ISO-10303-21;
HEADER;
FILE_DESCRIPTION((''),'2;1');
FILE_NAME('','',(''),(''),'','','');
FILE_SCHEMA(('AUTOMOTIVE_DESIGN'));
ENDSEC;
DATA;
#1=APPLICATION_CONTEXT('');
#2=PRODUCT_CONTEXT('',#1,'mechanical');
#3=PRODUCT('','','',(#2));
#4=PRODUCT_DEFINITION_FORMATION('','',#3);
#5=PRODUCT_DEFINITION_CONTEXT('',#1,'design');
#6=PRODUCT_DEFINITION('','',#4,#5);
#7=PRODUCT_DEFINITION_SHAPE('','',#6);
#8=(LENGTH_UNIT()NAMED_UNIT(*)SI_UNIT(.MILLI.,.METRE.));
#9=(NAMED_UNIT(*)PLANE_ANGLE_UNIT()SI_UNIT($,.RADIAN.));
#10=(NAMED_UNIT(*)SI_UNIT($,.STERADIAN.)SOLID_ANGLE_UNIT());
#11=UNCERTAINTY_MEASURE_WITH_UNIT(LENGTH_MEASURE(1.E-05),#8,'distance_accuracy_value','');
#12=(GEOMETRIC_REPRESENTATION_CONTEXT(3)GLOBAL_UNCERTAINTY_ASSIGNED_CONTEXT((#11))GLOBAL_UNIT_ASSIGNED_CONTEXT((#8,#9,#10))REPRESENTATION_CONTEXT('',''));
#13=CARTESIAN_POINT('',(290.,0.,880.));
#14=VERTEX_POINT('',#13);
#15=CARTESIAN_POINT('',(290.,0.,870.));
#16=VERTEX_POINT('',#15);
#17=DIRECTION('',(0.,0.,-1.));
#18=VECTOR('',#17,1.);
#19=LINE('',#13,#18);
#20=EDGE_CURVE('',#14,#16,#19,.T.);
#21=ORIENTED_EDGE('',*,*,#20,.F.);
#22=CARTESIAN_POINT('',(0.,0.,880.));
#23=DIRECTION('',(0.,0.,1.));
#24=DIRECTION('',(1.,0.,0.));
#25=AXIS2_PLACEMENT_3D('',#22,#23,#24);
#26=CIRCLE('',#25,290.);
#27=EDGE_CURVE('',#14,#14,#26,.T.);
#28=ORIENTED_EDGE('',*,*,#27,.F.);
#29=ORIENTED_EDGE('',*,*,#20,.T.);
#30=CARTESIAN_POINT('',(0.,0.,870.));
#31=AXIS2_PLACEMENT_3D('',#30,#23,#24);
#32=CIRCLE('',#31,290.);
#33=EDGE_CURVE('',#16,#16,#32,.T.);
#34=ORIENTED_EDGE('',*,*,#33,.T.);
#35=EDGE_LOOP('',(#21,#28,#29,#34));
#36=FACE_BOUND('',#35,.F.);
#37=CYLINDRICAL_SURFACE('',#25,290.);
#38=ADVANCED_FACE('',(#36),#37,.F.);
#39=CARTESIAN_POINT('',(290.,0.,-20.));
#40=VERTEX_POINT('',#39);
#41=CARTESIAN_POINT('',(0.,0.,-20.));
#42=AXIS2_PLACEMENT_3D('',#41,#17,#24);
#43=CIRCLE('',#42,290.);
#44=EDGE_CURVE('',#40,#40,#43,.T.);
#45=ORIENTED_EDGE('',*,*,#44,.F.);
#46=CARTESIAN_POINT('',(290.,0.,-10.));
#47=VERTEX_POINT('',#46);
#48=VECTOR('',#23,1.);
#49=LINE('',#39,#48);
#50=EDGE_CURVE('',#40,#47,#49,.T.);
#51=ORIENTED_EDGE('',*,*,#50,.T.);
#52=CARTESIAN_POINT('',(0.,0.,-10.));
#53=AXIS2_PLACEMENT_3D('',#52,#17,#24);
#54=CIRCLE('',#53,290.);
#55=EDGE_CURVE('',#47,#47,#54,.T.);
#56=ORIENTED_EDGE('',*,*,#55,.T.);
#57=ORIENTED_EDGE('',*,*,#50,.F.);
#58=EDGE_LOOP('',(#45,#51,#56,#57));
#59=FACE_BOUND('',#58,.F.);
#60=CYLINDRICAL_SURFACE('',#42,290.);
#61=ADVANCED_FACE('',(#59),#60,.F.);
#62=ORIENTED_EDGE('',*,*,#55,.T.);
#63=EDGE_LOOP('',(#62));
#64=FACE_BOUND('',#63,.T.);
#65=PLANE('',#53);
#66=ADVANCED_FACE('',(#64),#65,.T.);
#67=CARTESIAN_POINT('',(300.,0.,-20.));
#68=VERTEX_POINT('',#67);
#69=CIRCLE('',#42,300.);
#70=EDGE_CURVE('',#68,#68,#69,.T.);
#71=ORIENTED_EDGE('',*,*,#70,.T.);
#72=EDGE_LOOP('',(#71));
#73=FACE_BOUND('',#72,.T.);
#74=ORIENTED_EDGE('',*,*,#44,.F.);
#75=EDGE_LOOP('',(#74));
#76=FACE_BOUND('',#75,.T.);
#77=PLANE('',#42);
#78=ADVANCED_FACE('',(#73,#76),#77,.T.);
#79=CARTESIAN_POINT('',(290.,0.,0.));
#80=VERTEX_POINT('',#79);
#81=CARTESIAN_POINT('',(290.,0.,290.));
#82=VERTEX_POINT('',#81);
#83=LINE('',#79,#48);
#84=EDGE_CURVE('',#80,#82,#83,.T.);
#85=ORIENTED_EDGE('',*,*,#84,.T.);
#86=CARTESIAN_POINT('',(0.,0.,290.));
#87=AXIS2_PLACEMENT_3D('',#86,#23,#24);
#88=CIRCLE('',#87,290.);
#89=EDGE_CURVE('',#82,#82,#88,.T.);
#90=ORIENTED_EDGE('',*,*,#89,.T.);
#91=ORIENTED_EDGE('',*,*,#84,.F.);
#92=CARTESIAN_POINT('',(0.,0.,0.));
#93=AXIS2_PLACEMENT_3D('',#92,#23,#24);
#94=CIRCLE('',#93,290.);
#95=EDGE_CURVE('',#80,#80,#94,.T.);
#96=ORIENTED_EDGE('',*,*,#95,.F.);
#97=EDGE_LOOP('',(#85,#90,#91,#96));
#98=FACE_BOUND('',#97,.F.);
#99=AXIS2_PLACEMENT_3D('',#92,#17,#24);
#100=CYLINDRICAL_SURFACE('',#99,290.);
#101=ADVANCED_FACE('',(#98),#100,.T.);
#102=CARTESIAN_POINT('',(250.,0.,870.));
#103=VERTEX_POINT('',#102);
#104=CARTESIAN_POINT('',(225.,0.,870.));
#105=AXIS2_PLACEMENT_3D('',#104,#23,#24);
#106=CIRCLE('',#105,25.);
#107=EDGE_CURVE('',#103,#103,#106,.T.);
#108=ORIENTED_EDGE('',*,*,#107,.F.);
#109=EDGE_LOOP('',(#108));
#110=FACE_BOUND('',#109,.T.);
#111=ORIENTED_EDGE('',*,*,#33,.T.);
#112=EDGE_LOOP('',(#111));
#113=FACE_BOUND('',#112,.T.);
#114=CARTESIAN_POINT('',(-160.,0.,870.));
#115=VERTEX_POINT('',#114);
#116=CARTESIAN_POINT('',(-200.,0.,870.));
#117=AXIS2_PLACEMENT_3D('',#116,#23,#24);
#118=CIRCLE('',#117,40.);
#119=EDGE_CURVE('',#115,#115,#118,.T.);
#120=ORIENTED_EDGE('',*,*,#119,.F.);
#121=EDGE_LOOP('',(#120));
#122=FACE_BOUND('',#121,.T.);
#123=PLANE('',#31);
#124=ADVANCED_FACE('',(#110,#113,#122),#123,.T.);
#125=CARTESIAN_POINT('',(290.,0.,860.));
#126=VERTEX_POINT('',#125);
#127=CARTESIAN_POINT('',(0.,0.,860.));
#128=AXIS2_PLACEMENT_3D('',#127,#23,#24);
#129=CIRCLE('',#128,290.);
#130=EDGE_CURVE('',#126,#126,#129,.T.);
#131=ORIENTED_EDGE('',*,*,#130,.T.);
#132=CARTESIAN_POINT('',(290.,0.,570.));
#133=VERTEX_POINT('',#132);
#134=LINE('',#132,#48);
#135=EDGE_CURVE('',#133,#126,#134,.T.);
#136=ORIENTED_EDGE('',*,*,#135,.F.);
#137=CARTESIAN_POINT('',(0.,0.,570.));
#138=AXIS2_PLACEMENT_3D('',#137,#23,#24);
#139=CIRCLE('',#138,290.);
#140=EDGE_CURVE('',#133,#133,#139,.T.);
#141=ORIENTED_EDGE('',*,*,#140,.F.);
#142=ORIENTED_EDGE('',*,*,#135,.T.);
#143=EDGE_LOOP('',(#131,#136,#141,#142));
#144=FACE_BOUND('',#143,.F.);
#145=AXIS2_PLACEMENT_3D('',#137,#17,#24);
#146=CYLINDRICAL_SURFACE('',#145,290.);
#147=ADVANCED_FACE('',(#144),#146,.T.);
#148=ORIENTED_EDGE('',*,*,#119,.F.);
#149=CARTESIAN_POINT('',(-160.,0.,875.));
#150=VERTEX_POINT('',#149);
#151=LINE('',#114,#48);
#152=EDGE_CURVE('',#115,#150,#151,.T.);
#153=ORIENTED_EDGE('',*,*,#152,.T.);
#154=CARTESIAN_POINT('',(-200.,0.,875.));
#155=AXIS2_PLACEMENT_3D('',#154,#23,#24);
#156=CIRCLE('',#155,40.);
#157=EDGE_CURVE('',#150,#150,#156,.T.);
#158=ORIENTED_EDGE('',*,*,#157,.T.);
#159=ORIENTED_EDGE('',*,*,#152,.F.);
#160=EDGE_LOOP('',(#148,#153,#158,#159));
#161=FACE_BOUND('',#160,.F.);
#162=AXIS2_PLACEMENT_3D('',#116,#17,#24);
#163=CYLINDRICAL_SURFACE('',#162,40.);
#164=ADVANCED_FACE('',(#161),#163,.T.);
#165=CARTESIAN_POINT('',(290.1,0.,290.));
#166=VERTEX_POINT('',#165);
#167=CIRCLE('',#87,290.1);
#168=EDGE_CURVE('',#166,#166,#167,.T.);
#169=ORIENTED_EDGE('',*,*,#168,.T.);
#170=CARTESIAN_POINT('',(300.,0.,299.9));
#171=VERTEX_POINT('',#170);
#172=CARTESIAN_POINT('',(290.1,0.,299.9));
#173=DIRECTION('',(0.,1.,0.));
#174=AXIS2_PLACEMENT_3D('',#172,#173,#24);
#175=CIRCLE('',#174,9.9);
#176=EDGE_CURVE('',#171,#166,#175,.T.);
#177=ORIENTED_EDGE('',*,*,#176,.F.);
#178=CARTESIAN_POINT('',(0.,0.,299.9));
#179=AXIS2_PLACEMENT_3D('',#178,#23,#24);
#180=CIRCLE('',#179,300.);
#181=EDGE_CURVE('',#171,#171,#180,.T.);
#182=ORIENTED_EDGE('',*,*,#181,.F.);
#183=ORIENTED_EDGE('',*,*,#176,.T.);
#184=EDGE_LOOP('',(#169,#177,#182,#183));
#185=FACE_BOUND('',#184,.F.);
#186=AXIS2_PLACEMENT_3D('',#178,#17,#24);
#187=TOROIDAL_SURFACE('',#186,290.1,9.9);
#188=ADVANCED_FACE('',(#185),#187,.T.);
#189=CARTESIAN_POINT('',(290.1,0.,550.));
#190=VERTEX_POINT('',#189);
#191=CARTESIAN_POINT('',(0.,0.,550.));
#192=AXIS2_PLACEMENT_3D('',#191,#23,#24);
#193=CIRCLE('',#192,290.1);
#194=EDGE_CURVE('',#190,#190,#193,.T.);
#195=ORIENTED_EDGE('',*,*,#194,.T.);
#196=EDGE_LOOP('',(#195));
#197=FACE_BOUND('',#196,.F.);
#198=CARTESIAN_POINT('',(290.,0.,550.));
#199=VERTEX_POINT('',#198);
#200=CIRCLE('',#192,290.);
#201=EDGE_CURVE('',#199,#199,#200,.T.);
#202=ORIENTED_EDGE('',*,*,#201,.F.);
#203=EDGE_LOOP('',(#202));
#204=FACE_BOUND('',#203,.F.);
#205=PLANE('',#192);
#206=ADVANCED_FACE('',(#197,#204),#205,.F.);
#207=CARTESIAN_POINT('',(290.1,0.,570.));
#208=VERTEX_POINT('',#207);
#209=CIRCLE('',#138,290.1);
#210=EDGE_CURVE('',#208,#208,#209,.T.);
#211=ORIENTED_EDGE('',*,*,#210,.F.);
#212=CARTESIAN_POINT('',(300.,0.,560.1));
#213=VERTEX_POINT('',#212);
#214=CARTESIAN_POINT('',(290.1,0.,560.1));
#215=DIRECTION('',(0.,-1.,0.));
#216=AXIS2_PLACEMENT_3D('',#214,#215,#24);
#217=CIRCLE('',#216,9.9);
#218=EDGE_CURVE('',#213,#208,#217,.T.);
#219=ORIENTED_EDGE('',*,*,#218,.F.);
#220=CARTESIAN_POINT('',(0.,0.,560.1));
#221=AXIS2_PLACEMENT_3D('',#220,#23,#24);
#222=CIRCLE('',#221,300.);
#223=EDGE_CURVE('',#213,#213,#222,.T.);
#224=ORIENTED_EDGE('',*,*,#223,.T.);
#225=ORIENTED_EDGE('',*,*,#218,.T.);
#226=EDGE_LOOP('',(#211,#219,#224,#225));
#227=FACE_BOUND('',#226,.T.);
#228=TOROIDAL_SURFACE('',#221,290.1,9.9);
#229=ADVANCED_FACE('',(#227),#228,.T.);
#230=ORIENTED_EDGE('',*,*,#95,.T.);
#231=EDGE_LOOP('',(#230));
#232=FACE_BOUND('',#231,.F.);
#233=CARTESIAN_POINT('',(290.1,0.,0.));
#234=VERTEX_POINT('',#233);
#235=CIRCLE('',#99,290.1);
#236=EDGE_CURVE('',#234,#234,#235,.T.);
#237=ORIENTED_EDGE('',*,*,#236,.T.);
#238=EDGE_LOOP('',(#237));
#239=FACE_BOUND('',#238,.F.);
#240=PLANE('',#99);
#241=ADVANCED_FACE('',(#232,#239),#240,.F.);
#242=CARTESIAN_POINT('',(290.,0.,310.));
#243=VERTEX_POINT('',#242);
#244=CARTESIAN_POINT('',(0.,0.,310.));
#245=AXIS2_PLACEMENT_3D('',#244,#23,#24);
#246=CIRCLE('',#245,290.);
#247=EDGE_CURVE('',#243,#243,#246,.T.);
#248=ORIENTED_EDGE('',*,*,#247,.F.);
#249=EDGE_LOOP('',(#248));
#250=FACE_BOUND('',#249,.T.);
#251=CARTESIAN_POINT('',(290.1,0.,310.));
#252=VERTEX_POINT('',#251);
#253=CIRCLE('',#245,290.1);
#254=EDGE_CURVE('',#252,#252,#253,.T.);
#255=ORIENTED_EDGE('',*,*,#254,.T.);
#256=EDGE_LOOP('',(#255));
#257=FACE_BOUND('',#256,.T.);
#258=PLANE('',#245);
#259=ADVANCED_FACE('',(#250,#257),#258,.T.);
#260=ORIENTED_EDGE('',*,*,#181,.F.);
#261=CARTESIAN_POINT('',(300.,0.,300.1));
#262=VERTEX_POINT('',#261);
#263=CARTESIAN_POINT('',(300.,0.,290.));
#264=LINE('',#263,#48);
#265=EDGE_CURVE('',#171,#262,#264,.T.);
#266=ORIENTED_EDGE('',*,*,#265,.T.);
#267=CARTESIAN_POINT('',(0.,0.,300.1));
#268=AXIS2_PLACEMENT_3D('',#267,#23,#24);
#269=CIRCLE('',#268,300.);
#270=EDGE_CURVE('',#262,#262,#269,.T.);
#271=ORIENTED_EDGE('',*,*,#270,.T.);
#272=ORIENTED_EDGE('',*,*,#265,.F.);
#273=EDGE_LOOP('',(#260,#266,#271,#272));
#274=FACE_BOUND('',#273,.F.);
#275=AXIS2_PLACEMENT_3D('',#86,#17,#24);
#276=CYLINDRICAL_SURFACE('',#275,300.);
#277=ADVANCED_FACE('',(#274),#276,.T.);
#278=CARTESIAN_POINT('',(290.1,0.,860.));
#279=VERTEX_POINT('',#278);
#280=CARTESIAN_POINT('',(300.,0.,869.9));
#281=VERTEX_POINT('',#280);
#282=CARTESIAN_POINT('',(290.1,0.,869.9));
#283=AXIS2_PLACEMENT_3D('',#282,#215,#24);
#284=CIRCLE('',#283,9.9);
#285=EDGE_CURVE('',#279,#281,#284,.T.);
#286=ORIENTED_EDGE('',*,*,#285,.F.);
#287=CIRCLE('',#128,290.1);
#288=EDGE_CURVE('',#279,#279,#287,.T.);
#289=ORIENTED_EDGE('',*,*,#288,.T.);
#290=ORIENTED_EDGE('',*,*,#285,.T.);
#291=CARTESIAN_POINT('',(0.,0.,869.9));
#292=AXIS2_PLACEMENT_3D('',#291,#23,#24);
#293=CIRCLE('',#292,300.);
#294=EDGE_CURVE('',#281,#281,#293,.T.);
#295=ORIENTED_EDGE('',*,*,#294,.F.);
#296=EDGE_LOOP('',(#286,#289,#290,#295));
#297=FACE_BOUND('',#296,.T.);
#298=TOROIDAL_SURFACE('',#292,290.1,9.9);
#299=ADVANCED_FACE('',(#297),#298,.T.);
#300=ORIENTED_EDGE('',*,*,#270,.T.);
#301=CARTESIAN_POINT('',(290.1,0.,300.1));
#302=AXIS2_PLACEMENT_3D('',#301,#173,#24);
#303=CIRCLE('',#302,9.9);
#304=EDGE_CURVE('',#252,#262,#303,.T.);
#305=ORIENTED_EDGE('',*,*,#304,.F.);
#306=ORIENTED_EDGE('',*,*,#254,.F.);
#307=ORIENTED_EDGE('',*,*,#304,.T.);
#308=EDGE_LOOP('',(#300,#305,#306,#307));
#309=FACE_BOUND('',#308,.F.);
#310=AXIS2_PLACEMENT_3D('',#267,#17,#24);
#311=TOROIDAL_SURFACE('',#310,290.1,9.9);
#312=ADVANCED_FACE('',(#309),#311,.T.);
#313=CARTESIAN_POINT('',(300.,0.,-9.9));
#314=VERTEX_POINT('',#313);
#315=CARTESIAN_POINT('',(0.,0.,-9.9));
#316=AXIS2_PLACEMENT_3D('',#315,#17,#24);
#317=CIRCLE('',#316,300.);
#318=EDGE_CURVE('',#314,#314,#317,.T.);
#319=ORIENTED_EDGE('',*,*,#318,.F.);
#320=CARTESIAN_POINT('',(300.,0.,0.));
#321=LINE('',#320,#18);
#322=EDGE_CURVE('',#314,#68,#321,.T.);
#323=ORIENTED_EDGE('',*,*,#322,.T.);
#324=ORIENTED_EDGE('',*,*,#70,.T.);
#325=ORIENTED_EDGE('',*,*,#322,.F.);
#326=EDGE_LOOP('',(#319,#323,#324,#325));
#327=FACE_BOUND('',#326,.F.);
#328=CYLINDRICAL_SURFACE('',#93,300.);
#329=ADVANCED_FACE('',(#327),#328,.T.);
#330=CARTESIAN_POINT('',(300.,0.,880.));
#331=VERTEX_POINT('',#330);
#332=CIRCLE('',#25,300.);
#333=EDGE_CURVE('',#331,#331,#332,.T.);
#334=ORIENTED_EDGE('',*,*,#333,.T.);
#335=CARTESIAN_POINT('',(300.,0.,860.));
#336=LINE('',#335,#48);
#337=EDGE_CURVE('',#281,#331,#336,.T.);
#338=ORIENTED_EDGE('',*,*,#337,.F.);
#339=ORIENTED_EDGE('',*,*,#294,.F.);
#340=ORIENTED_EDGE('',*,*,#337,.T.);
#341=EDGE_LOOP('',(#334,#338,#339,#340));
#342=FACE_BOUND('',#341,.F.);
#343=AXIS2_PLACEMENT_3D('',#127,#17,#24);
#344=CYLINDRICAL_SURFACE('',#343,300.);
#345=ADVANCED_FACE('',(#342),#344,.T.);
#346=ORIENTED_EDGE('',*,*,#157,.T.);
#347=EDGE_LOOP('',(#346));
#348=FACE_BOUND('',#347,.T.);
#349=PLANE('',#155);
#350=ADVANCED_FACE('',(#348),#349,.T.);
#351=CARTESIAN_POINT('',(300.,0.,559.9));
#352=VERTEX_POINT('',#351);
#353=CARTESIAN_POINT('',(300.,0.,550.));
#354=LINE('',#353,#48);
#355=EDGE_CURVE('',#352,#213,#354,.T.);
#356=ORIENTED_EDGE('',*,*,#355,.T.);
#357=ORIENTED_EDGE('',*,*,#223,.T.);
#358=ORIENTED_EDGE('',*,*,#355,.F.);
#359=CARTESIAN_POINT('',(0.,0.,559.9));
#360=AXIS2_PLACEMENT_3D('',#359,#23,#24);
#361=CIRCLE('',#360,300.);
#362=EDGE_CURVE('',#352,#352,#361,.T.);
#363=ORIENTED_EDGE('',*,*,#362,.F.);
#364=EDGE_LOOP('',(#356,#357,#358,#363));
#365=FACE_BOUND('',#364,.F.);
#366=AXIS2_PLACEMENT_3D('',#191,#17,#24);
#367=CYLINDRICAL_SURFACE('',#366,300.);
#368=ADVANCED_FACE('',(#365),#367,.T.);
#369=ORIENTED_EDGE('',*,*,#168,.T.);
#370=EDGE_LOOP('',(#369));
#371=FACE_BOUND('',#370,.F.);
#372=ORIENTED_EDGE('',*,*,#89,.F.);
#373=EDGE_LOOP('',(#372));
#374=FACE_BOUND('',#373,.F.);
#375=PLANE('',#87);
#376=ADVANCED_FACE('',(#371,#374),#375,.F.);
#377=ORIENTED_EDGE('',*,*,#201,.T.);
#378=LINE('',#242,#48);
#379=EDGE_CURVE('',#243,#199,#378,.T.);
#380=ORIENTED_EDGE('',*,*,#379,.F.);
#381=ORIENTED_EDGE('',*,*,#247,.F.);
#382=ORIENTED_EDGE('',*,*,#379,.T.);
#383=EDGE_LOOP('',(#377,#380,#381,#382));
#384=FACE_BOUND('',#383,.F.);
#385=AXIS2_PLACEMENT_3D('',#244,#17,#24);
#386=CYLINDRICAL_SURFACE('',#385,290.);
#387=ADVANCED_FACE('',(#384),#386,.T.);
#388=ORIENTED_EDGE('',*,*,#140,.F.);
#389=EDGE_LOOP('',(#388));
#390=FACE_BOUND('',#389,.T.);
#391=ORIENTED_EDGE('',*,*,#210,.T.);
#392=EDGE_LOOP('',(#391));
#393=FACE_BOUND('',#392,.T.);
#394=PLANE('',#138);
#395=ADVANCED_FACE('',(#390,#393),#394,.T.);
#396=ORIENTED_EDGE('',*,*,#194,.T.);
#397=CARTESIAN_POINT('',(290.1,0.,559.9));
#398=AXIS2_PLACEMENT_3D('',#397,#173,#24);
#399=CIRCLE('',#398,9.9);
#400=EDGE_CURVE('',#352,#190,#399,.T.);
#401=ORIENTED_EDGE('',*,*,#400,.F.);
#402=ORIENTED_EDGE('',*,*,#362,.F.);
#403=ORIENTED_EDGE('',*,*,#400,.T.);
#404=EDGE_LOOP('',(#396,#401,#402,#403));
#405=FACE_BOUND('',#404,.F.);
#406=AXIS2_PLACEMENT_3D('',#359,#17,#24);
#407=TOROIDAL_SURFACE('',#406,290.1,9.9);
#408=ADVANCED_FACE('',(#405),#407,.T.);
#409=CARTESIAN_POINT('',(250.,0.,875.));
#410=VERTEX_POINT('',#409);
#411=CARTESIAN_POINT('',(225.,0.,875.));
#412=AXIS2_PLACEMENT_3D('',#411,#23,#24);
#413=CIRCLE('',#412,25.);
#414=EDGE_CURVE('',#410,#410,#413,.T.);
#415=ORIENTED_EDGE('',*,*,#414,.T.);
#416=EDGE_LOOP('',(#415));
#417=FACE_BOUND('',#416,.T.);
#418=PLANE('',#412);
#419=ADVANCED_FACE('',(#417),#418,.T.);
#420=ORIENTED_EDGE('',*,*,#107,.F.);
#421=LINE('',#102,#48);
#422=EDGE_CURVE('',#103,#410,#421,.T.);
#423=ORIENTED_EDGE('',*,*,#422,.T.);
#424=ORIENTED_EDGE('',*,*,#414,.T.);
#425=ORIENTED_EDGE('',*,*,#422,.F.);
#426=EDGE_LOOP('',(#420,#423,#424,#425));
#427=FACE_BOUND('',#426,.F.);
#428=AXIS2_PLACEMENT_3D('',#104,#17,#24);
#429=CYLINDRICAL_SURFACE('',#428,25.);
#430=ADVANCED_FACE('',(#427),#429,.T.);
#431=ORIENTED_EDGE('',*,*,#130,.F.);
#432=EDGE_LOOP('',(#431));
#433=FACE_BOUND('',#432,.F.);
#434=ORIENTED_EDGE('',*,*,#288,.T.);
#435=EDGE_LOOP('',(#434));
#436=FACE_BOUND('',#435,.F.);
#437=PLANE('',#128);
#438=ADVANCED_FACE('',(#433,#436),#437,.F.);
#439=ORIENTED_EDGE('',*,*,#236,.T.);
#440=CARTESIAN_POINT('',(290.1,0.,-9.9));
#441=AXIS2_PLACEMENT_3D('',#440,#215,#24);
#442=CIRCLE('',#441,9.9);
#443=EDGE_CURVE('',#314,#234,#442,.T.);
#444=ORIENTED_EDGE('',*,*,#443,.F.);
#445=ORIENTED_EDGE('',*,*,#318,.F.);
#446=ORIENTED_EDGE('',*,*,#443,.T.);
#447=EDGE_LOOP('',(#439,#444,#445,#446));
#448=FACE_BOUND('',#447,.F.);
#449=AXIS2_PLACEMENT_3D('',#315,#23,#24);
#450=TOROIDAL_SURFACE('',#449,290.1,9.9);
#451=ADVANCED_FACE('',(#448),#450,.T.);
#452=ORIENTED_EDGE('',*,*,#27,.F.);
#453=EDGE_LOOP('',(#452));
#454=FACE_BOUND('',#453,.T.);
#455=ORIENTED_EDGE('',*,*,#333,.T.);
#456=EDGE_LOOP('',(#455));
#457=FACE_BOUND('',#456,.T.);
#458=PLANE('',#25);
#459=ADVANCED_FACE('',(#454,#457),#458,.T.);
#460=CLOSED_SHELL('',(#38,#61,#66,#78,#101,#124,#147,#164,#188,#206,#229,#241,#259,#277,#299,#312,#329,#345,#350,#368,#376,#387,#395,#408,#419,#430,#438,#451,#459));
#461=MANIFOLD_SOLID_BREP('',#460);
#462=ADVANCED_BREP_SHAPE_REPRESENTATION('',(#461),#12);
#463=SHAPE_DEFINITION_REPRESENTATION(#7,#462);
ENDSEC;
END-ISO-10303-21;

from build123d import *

# Parameters (mm, degrees)
SKETCH_R        = 290
PAD_DEPTH       = 290
SKETCH001_R     = 300
PAD001_DEPTH    = 20
SKETCH002_R     = 290
PAD002_DEPTH    = 240
SKETCH003_R     = 300
PAD003_DEPTH    = 20
SKETCH005_R     = 290
PAD004_DEPTH    = 290
FILLET_R        = 9.9
SKETCH006_R     = 300
PAD005_DEPTH    = 20
SKETCH007_R     = 300
PAD006_DEPTH    = 20
FILLET001_R     = 9.9
SKETCH008_R     = 290
POCKET_DEPTH    = 10
SKETCH009_R     = 290
POCKET001_DEPTH = 10
SKETCH010_R     = 40
SKETCH010_R_2   = 25
PAD007_DEPTH    = 5


with BuildPart() as part:
    # Sketch → Pad (new body)
    with BuildSketch(Plane.XY):
        Circle(SKETCH_R)
    extrude(amount=PAD_DEPTH)

    # Sketch001 (on Face3 of Pad) → Pad001 (join)
    with BuildSketch(Plane.XY.offset(290)):
        Circle(SKETCH001_R)
    extrude(amount=PAD001_DEPTH)

    # Sketch002 (on Face3 of Pad001) → Pad002 (join)
    with BuildSketch(Plane.XY.offset(310)):
        Circle(SKETCH002_R)
    extrude(amount=PAD002_DEPTH)

    # Sketch003 (on Face7 of Pad002) → Pad003 (join)
    with BuildSketch(Plane.XY.offset(550)):
        Circle(SKETCH003_R)
    extrude(amount=PAD003_DEPTH)

    # Sketch005 (on Face3 of Pad003) → Pad004 (join)
    with BuildSketch(Plane.XY.offset(570)):
        Circle(SKETCH005_R)
    extrude(amount=PAD004_DEPTH)

    # Fillet
    fillet_edges = [part.edges().sort_by_distance(p)[0] for p in [
        (300, 0, 560),
        (-300, 0, 550),
        (-300, 0, 570),
        (300, 0, 300),
        (-300, 0, 290),
        (-300, 0, 310),
    ]]
    fillet(fillet_edges, radius=FILLET_R)

    # Sketch006 (on Face9 of Fillet) → Pad005 (join)
    with BuildSketch(Plane.XY.offset(860)):
        Circle(SKETCH006_R)
    extrude(amount=PAD005_DEPTH)

    # Sketch007 (on Face17 of Pad005) → Pad006 (join)
    with BuildSketch(Plane(origin=(0, 0, 0), x_dir=(1, 0, 0), z_dir=(0, 0, -1))):
        Circle(SKETCH007_R)
    extrude(amount=PAD006_DEPTH)

    # Fillet001
    fillet001_edges = [part.edges().sort_by_distance(p)[0] for p in [
        (-300, 0, 860),
        (-300, 0, 0),
    ]]
    fillet(fillet001_edges, radius=FILLET001_R)

    # Sketch008 (on Face21 of Fillet001) → Pocket (cut)
    with BuildSketch(Plane.XY.offset(880)):
        Circle(SKETCH008_R)
    extrude(amount=-POCKET_DEPTH, mode=Mode.SUBTRACT)

    # Sketch009 (on Face3 of Pocket) → Pocket001 (cut)
    with BuildSketch(Plane(origin=(0, 0, -20), x_dir=(1, 0, 0), z_dir=(0, 0, -1))):
        Circle(SKETCH009_R)
    extrude(amount=-POCKET001_DEPTH, mode=Mode.SUBTRACT)

    # Sketch010 (on Face25 of Pocket001) → Pad007 (join)
    with BuildSketch(Plane.XY.offset(870)):
        with Locations((-200, 0)):
            Circle(SKETCH010_R)
        with Locations((225, 0)):
            Circle(SKETCH010_R_2)
    extrude(amount=PAD007_DEPTH)


solid = part.part
